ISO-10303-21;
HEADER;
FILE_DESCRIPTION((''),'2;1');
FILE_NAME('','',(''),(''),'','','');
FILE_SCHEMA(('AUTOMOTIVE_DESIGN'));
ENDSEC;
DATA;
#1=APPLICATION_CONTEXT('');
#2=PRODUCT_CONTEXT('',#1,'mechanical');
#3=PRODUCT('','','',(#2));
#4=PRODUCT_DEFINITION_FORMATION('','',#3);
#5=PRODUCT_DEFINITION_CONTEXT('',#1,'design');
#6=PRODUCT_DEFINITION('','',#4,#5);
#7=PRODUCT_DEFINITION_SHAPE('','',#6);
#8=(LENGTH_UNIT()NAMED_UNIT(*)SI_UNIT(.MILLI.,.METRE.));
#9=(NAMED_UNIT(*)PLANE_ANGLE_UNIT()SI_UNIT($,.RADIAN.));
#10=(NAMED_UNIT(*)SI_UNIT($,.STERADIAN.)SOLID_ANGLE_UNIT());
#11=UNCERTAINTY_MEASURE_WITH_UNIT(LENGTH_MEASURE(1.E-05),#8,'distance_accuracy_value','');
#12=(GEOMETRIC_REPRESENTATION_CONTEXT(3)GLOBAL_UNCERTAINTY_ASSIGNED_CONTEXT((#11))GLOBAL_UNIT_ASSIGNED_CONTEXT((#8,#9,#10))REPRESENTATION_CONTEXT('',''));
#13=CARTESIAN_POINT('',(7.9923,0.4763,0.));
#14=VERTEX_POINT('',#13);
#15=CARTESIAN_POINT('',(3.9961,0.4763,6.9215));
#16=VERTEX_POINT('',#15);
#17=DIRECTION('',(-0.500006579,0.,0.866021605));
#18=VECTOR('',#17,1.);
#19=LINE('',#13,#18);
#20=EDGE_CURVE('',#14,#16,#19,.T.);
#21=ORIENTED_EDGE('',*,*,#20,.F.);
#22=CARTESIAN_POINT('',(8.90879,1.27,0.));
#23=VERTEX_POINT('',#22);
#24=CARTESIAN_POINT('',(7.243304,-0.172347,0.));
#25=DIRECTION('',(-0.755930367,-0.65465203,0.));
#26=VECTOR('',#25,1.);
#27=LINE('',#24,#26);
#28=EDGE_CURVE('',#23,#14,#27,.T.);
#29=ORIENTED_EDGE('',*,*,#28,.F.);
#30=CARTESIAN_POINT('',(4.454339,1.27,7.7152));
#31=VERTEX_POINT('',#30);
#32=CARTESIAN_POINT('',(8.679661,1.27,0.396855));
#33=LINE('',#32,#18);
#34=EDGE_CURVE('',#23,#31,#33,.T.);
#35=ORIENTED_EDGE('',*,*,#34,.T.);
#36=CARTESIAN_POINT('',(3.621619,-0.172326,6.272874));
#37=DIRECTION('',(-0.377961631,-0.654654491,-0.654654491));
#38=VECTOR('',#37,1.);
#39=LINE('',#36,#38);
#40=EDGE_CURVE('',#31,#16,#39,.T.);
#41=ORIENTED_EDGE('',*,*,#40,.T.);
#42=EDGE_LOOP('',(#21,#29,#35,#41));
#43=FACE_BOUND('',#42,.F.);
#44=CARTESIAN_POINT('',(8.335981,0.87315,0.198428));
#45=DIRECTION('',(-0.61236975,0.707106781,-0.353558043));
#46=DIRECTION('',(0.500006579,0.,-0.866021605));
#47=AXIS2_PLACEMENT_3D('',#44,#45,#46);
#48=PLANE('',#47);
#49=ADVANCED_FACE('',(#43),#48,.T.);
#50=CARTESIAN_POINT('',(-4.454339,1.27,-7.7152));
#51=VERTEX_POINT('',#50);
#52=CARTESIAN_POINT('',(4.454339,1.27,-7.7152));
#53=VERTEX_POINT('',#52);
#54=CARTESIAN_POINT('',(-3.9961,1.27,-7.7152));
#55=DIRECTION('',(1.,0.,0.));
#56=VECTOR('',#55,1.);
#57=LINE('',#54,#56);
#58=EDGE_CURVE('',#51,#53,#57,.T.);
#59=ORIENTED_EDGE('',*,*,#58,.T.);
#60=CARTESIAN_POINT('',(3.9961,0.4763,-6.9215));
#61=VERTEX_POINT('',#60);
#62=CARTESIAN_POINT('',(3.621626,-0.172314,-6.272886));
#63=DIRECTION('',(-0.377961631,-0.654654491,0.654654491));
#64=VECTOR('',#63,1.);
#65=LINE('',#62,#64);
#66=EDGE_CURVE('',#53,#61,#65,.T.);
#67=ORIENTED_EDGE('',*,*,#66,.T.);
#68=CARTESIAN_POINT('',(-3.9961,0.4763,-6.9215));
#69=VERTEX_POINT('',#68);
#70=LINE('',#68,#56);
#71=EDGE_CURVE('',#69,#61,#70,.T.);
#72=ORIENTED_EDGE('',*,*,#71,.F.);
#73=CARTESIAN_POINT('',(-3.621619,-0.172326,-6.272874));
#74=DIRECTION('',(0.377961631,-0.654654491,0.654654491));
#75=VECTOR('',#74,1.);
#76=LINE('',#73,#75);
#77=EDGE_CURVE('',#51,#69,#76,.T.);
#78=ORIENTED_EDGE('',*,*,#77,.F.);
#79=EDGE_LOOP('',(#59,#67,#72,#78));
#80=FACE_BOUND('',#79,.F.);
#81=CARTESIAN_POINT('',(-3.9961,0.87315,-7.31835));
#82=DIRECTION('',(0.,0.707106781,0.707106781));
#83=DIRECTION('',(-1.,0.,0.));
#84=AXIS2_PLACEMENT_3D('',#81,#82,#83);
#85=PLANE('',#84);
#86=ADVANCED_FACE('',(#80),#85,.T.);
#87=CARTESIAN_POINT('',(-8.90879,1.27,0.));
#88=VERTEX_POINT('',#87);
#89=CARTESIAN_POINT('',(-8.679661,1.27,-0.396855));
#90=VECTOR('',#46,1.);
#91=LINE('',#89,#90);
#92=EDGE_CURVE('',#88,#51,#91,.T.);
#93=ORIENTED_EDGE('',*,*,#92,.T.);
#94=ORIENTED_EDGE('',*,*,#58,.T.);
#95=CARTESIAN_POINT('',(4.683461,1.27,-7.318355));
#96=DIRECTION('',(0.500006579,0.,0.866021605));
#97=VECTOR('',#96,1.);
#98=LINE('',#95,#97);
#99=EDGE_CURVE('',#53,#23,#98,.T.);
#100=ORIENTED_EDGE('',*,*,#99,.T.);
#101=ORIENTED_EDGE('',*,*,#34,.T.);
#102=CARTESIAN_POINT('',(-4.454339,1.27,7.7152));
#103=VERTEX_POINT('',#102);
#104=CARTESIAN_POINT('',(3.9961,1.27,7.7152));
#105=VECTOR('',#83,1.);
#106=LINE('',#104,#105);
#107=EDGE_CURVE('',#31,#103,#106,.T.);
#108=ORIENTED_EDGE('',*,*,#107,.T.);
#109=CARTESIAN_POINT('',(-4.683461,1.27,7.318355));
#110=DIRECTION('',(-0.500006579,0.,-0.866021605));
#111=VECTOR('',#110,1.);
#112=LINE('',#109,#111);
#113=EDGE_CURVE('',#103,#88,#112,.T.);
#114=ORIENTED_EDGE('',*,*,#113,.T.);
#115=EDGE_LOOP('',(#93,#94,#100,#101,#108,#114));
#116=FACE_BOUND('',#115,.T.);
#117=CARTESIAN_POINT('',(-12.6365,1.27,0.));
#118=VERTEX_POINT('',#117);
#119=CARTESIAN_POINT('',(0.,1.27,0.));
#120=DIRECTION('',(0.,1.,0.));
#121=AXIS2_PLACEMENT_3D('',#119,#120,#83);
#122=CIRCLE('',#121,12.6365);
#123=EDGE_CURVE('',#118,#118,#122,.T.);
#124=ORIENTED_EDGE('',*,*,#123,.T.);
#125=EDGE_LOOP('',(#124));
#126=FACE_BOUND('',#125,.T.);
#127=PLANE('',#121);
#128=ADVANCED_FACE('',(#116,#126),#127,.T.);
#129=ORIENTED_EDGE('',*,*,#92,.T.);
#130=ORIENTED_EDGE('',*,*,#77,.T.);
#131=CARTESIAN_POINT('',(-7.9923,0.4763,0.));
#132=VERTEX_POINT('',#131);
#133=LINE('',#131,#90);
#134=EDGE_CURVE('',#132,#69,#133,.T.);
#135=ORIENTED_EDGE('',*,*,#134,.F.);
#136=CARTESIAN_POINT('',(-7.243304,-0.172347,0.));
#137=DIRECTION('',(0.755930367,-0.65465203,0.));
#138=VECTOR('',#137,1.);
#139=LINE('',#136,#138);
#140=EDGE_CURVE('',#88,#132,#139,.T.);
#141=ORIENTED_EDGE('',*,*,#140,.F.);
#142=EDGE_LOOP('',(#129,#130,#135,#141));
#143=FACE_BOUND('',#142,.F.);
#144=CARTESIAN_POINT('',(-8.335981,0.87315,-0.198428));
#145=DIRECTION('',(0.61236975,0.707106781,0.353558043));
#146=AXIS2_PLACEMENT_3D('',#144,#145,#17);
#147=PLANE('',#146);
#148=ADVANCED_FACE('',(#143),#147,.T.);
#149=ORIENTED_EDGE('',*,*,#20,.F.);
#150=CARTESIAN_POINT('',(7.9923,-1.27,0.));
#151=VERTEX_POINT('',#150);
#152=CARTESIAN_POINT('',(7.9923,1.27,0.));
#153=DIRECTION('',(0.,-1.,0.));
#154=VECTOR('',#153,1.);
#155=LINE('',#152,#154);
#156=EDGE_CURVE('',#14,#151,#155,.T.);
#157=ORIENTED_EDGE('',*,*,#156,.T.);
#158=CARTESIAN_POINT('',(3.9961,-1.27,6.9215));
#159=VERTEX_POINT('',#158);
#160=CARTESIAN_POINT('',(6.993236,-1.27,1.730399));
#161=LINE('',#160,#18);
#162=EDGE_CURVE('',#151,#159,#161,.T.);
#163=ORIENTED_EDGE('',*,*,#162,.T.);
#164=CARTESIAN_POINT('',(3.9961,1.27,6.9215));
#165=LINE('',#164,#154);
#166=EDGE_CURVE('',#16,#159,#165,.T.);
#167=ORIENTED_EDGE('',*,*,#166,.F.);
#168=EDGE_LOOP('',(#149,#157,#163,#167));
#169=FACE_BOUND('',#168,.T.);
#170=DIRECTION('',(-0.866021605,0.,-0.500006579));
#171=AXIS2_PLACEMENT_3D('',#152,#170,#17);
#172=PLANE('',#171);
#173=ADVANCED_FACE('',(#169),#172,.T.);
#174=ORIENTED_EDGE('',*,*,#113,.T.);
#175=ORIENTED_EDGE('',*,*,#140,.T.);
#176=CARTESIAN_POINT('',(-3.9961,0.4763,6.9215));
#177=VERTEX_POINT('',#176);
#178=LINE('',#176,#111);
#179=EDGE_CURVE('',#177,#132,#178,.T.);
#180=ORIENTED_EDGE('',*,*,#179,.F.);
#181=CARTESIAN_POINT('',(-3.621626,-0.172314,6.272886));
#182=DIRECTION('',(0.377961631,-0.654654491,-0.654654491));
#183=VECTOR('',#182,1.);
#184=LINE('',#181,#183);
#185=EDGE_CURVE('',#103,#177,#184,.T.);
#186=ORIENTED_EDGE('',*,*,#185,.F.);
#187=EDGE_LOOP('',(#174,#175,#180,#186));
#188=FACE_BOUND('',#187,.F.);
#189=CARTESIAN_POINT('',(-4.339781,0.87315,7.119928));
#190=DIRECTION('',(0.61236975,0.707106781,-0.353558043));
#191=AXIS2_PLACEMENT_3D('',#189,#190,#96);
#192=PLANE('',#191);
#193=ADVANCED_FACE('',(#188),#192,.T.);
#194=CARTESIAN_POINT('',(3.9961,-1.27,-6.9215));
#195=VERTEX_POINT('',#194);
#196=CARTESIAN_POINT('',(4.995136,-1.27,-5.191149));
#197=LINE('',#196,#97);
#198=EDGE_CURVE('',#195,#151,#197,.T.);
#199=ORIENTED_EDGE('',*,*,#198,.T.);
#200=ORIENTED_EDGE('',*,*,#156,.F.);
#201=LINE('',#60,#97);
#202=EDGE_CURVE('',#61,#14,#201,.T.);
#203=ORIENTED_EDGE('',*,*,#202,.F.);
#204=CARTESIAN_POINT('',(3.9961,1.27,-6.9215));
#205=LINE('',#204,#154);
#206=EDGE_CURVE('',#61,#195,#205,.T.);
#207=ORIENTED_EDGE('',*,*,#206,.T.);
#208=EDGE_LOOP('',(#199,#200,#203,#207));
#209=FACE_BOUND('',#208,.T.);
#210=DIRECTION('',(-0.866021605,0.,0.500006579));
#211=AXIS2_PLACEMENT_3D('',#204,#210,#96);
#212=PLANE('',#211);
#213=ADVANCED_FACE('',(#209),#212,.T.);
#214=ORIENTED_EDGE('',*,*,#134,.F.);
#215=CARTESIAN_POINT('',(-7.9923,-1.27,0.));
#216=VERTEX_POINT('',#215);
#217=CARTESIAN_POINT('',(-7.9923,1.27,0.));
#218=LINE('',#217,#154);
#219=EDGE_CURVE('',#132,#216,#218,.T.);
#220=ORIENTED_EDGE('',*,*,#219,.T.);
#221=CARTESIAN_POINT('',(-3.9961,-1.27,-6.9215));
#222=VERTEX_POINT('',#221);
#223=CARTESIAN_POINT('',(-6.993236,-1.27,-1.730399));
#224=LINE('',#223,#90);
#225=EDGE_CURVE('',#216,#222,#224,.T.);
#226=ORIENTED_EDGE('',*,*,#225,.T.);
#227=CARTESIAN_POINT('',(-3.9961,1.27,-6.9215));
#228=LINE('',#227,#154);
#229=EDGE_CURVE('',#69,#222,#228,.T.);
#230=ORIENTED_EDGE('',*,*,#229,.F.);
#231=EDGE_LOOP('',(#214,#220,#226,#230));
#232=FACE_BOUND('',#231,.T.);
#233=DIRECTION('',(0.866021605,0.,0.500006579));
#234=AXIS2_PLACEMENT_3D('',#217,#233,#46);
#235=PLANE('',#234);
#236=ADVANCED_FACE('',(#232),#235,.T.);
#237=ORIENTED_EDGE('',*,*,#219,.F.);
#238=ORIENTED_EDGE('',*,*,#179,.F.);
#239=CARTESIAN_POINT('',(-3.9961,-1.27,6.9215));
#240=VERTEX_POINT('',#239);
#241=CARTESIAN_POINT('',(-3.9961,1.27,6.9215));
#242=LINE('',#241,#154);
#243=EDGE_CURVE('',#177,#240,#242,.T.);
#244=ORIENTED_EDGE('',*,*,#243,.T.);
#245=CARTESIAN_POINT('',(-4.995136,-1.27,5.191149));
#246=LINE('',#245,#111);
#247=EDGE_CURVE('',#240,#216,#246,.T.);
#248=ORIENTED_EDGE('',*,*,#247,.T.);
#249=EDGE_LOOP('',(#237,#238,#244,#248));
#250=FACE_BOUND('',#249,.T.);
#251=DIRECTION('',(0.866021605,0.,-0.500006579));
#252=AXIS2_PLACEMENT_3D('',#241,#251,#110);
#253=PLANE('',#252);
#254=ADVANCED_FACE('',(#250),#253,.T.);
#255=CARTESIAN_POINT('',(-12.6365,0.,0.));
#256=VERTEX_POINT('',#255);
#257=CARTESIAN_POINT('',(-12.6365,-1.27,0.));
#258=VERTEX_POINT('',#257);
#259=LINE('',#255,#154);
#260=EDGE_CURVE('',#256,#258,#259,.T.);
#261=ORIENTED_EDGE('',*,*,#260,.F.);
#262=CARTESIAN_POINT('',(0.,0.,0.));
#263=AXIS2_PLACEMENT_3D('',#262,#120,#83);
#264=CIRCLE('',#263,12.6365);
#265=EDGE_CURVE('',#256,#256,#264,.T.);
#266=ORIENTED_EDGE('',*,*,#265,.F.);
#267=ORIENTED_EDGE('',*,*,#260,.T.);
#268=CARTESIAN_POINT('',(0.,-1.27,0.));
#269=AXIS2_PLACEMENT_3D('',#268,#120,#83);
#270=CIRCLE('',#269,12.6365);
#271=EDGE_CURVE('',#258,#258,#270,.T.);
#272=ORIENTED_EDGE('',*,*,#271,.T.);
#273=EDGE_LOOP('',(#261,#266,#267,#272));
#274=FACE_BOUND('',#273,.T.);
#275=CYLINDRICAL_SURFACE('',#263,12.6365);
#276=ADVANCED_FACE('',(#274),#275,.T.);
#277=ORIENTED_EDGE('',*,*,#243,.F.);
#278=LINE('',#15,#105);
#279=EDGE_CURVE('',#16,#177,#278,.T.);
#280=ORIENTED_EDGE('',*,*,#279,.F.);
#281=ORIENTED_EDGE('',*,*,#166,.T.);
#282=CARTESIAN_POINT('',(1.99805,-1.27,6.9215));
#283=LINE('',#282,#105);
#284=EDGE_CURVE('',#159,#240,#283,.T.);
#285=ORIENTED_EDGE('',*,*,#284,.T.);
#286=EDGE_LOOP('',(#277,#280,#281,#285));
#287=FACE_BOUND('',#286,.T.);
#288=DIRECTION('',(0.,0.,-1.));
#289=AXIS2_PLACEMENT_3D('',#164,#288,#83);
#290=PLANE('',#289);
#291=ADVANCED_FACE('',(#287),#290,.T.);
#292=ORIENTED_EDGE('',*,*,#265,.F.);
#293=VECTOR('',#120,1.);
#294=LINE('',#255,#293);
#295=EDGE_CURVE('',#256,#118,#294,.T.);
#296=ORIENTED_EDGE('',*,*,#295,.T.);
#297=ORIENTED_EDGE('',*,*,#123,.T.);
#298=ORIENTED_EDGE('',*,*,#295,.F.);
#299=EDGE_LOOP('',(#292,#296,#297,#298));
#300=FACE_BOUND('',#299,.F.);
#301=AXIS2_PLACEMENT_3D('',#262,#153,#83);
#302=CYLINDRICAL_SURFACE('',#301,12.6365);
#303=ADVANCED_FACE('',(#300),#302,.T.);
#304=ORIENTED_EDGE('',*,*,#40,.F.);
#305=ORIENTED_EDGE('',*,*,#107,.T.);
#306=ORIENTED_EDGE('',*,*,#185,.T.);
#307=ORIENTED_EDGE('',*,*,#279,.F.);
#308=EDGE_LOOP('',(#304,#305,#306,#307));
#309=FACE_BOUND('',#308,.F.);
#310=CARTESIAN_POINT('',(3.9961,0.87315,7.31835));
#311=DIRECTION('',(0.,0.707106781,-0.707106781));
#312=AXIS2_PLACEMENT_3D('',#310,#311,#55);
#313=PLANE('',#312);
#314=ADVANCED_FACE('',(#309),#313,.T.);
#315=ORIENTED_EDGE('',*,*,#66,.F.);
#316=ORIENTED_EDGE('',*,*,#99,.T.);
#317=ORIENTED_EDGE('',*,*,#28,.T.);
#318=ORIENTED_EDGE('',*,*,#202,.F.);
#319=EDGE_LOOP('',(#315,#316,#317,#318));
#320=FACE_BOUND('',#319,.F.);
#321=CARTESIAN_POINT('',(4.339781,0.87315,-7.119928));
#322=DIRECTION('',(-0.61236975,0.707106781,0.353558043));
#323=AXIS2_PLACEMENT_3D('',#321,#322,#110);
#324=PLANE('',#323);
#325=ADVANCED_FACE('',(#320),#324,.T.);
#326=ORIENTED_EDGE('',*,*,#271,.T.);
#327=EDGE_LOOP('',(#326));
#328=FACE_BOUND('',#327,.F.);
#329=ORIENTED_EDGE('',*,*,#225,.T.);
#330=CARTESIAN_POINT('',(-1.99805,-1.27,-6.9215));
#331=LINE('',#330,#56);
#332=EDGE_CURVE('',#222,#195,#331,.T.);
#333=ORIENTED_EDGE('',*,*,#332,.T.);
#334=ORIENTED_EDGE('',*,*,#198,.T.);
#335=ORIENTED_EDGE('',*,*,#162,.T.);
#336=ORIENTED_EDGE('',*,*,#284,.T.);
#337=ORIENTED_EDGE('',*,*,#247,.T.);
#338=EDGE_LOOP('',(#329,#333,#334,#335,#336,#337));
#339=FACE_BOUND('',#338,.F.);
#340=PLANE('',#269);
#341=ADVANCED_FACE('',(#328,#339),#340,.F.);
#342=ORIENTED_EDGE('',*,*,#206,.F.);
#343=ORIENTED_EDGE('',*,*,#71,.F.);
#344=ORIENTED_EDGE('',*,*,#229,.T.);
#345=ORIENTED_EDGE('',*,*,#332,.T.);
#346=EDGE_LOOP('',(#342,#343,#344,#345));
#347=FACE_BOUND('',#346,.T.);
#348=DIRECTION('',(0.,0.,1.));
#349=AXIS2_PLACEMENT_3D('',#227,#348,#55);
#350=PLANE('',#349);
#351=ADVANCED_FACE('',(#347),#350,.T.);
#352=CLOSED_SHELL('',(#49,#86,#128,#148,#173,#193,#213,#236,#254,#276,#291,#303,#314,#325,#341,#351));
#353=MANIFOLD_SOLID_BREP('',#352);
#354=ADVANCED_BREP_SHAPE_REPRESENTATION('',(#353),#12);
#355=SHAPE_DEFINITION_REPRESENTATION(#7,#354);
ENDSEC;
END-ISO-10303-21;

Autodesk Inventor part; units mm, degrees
ref_plane "YZ Plane" through (0, 0, 0) normal (1, 0, 0) x (0, 1, 0)
ref_plane "XZ Plane" through (0, 0, 0) normal (0, 1, 0) x (-1, 0, 0)
ref_plane "XY Plane" through (0, 0, 0) normal (0, 0, 1) x (1, 0, 0)
sketch "Sketch9" plane through (0, 0, 0) normal (0, 1, 0) x (-1, 0, 0)
  circle A0 centre (0, 0) radius 12.6365
  dimension "d53" = 25.273
extrude "Extrusion6" add sketch "Sketch9" along normal mid plane 2.54
sketch "Sketch15" plane through (0, 1.27, 0) normal (0, 1, 0) x (1, 0, 0)
  line L0 (7.9923, 0) -> (3.9961, -6.9215)
  line L1 (3.9961, -6.9215) -> (-3.9961, -6.9215)
  line L2 (-3.9961, -6.9215) -> (-7.9923, 0)
  line L3 (-7.9923, 0) -> (-3.9961, 6.9215)
  line L4 (-3.9961, 6.9215) -> (3.9961, 6.9215)
  line L5 (3.9961, 6.9215) -> (7.9923, 0)
  point P0 (0, 0)
  point P1 (0, 0)
  dimension "d82" = 13.843
extrude "Extrusion11" cut sketch "Sketch15" against normal through all
chamfer "Chamfer7" distance 0.7937 angle 45 6 edges at (-5.9942, 1.27, -3.4607) (-5.9942, 1.27, 3.4608) (0, 1.27, 6.9215) (5.9942, 1.27, 3.4607) (5.9942, 1.27, -3.4608) (0, 1.27, -6.9215)
equation "\"d82\" = hexDiameter"
equation "\"holeForString\" = stringDiameter + clearanceForString"
equation "\"stringDiameter\" = 3.048"
equation "\"clearanceForString\" = 2.032"
equation "\"spoolHeightWithoutSpacer\" = 69.85"
equation "\"hexShaftDiameter\" = 12.7"
equation "\"clearanceForHexShaft\" = 1.143"
equation "\"hexDiameter\" = hexShaftDiameter + clearanceForHexShaft"
equation "\"supportChannels\" = 3.81"
equation "\"spoolInteriorDiameter\" = 38.1"
equation "\"spoolInteriroRadius\" = 0.5 * spoolInteriorDiameter"
equation "\"spoolExteriorDiameter\" = 88.9"
equation "\"spoolExteriorRadius\" = 0.5 * spoolExteriorDiameter"
equation "\"spoolFiletRadius\" = 0.5 * supportChannels"
equation "\"holeCenter\" = 0.25 * spoolHeightWithoutSpacer - 0.75 * supportChannels"
equation "\"hexHoleChamfer\" = 1.5875"
equation "\"stringHoleCenterFromHexShaft\" = 0.5 * hexDiameter + 0.5 * holeForString"
equation "\"textCircleDiameter\" = 0.75 * spoolExteriorDiameter"
equation "\"textHeight\" = 6.096"
equation "\"textDepth\" = 1.27"
equation "\"stringHoleChamfer\" = 4.7625"
equation "\"spoolTotalHeight\" = 76.2"
equation "\"spaceHeight\" = spoolTotalHeight - spoolHeightWithoutSpacer"
equation "\"spacerDiameter\" = 24.13"
properties part number "spacerForEndV08" material "PC/ABS Plastic"
